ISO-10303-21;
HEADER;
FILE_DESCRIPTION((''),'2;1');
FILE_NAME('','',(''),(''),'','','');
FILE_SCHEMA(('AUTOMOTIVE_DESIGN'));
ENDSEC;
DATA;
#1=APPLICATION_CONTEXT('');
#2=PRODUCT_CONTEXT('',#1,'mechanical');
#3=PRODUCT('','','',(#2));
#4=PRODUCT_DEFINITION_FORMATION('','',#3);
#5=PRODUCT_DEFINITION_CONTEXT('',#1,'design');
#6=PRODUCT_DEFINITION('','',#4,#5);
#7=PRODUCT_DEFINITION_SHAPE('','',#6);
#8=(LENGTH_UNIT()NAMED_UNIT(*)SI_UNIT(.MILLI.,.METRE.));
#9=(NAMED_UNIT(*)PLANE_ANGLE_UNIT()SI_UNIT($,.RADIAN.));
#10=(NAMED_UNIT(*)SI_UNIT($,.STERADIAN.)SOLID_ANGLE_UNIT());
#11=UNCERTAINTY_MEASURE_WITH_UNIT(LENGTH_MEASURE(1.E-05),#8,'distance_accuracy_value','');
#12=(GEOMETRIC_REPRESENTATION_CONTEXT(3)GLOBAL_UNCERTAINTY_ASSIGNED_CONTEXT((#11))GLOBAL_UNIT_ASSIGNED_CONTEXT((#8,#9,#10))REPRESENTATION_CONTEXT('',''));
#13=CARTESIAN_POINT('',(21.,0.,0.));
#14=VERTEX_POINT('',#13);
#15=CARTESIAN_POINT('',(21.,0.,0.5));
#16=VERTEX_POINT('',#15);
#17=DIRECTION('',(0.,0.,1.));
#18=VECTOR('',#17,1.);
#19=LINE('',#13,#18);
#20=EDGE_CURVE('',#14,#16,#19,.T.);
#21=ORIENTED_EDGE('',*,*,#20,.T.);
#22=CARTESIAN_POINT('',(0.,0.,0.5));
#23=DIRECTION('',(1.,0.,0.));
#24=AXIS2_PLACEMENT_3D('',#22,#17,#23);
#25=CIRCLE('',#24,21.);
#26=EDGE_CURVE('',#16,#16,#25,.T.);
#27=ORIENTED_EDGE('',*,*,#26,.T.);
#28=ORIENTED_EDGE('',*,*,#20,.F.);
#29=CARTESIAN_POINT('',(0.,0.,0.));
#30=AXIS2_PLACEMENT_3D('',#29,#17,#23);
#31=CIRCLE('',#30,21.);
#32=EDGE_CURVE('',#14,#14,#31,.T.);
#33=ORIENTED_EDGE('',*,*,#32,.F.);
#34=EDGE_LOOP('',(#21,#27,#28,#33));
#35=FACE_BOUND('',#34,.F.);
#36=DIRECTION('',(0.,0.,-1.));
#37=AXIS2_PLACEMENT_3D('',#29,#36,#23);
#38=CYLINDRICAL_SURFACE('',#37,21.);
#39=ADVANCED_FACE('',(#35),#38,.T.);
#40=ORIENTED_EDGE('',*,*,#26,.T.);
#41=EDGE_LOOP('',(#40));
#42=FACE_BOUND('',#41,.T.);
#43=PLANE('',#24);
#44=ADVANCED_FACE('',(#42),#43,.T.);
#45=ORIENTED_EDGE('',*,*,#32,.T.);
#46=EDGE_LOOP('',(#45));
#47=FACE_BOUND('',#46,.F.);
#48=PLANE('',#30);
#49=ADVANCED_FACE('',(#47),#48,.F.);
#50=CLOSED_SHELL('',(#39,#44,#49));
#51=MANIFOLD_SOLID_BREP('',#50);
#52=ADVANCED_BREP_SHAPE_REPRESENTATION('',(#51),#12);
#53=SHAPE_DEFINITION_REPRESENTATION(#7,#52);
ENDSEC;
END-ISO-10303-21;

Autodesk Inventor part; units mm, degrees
ref_plane "YZ Plane" through (0, 0, 0) normal (1, 0, 0) x (0, 1, 0)
ref_plane "XZ Plane" through (0, 0, 0) normal (0, 1, 0) x (-1, 0, 0)
ref_plane "XY Plane" through (0, 0, 0) normal (0, 0, 1) x (1, 0, 0)
sketch "Sketch1" plane through (0, 0, 0) normal (0, 0, 1) x (1, 0, 0)
  circle A0 centre (0, 0) radius 21
  dimension "d0" = 42
extrude "Extrusion1" add sketch "Sketch1" along normal blind 0.5
properties part number "tag_magenta"
